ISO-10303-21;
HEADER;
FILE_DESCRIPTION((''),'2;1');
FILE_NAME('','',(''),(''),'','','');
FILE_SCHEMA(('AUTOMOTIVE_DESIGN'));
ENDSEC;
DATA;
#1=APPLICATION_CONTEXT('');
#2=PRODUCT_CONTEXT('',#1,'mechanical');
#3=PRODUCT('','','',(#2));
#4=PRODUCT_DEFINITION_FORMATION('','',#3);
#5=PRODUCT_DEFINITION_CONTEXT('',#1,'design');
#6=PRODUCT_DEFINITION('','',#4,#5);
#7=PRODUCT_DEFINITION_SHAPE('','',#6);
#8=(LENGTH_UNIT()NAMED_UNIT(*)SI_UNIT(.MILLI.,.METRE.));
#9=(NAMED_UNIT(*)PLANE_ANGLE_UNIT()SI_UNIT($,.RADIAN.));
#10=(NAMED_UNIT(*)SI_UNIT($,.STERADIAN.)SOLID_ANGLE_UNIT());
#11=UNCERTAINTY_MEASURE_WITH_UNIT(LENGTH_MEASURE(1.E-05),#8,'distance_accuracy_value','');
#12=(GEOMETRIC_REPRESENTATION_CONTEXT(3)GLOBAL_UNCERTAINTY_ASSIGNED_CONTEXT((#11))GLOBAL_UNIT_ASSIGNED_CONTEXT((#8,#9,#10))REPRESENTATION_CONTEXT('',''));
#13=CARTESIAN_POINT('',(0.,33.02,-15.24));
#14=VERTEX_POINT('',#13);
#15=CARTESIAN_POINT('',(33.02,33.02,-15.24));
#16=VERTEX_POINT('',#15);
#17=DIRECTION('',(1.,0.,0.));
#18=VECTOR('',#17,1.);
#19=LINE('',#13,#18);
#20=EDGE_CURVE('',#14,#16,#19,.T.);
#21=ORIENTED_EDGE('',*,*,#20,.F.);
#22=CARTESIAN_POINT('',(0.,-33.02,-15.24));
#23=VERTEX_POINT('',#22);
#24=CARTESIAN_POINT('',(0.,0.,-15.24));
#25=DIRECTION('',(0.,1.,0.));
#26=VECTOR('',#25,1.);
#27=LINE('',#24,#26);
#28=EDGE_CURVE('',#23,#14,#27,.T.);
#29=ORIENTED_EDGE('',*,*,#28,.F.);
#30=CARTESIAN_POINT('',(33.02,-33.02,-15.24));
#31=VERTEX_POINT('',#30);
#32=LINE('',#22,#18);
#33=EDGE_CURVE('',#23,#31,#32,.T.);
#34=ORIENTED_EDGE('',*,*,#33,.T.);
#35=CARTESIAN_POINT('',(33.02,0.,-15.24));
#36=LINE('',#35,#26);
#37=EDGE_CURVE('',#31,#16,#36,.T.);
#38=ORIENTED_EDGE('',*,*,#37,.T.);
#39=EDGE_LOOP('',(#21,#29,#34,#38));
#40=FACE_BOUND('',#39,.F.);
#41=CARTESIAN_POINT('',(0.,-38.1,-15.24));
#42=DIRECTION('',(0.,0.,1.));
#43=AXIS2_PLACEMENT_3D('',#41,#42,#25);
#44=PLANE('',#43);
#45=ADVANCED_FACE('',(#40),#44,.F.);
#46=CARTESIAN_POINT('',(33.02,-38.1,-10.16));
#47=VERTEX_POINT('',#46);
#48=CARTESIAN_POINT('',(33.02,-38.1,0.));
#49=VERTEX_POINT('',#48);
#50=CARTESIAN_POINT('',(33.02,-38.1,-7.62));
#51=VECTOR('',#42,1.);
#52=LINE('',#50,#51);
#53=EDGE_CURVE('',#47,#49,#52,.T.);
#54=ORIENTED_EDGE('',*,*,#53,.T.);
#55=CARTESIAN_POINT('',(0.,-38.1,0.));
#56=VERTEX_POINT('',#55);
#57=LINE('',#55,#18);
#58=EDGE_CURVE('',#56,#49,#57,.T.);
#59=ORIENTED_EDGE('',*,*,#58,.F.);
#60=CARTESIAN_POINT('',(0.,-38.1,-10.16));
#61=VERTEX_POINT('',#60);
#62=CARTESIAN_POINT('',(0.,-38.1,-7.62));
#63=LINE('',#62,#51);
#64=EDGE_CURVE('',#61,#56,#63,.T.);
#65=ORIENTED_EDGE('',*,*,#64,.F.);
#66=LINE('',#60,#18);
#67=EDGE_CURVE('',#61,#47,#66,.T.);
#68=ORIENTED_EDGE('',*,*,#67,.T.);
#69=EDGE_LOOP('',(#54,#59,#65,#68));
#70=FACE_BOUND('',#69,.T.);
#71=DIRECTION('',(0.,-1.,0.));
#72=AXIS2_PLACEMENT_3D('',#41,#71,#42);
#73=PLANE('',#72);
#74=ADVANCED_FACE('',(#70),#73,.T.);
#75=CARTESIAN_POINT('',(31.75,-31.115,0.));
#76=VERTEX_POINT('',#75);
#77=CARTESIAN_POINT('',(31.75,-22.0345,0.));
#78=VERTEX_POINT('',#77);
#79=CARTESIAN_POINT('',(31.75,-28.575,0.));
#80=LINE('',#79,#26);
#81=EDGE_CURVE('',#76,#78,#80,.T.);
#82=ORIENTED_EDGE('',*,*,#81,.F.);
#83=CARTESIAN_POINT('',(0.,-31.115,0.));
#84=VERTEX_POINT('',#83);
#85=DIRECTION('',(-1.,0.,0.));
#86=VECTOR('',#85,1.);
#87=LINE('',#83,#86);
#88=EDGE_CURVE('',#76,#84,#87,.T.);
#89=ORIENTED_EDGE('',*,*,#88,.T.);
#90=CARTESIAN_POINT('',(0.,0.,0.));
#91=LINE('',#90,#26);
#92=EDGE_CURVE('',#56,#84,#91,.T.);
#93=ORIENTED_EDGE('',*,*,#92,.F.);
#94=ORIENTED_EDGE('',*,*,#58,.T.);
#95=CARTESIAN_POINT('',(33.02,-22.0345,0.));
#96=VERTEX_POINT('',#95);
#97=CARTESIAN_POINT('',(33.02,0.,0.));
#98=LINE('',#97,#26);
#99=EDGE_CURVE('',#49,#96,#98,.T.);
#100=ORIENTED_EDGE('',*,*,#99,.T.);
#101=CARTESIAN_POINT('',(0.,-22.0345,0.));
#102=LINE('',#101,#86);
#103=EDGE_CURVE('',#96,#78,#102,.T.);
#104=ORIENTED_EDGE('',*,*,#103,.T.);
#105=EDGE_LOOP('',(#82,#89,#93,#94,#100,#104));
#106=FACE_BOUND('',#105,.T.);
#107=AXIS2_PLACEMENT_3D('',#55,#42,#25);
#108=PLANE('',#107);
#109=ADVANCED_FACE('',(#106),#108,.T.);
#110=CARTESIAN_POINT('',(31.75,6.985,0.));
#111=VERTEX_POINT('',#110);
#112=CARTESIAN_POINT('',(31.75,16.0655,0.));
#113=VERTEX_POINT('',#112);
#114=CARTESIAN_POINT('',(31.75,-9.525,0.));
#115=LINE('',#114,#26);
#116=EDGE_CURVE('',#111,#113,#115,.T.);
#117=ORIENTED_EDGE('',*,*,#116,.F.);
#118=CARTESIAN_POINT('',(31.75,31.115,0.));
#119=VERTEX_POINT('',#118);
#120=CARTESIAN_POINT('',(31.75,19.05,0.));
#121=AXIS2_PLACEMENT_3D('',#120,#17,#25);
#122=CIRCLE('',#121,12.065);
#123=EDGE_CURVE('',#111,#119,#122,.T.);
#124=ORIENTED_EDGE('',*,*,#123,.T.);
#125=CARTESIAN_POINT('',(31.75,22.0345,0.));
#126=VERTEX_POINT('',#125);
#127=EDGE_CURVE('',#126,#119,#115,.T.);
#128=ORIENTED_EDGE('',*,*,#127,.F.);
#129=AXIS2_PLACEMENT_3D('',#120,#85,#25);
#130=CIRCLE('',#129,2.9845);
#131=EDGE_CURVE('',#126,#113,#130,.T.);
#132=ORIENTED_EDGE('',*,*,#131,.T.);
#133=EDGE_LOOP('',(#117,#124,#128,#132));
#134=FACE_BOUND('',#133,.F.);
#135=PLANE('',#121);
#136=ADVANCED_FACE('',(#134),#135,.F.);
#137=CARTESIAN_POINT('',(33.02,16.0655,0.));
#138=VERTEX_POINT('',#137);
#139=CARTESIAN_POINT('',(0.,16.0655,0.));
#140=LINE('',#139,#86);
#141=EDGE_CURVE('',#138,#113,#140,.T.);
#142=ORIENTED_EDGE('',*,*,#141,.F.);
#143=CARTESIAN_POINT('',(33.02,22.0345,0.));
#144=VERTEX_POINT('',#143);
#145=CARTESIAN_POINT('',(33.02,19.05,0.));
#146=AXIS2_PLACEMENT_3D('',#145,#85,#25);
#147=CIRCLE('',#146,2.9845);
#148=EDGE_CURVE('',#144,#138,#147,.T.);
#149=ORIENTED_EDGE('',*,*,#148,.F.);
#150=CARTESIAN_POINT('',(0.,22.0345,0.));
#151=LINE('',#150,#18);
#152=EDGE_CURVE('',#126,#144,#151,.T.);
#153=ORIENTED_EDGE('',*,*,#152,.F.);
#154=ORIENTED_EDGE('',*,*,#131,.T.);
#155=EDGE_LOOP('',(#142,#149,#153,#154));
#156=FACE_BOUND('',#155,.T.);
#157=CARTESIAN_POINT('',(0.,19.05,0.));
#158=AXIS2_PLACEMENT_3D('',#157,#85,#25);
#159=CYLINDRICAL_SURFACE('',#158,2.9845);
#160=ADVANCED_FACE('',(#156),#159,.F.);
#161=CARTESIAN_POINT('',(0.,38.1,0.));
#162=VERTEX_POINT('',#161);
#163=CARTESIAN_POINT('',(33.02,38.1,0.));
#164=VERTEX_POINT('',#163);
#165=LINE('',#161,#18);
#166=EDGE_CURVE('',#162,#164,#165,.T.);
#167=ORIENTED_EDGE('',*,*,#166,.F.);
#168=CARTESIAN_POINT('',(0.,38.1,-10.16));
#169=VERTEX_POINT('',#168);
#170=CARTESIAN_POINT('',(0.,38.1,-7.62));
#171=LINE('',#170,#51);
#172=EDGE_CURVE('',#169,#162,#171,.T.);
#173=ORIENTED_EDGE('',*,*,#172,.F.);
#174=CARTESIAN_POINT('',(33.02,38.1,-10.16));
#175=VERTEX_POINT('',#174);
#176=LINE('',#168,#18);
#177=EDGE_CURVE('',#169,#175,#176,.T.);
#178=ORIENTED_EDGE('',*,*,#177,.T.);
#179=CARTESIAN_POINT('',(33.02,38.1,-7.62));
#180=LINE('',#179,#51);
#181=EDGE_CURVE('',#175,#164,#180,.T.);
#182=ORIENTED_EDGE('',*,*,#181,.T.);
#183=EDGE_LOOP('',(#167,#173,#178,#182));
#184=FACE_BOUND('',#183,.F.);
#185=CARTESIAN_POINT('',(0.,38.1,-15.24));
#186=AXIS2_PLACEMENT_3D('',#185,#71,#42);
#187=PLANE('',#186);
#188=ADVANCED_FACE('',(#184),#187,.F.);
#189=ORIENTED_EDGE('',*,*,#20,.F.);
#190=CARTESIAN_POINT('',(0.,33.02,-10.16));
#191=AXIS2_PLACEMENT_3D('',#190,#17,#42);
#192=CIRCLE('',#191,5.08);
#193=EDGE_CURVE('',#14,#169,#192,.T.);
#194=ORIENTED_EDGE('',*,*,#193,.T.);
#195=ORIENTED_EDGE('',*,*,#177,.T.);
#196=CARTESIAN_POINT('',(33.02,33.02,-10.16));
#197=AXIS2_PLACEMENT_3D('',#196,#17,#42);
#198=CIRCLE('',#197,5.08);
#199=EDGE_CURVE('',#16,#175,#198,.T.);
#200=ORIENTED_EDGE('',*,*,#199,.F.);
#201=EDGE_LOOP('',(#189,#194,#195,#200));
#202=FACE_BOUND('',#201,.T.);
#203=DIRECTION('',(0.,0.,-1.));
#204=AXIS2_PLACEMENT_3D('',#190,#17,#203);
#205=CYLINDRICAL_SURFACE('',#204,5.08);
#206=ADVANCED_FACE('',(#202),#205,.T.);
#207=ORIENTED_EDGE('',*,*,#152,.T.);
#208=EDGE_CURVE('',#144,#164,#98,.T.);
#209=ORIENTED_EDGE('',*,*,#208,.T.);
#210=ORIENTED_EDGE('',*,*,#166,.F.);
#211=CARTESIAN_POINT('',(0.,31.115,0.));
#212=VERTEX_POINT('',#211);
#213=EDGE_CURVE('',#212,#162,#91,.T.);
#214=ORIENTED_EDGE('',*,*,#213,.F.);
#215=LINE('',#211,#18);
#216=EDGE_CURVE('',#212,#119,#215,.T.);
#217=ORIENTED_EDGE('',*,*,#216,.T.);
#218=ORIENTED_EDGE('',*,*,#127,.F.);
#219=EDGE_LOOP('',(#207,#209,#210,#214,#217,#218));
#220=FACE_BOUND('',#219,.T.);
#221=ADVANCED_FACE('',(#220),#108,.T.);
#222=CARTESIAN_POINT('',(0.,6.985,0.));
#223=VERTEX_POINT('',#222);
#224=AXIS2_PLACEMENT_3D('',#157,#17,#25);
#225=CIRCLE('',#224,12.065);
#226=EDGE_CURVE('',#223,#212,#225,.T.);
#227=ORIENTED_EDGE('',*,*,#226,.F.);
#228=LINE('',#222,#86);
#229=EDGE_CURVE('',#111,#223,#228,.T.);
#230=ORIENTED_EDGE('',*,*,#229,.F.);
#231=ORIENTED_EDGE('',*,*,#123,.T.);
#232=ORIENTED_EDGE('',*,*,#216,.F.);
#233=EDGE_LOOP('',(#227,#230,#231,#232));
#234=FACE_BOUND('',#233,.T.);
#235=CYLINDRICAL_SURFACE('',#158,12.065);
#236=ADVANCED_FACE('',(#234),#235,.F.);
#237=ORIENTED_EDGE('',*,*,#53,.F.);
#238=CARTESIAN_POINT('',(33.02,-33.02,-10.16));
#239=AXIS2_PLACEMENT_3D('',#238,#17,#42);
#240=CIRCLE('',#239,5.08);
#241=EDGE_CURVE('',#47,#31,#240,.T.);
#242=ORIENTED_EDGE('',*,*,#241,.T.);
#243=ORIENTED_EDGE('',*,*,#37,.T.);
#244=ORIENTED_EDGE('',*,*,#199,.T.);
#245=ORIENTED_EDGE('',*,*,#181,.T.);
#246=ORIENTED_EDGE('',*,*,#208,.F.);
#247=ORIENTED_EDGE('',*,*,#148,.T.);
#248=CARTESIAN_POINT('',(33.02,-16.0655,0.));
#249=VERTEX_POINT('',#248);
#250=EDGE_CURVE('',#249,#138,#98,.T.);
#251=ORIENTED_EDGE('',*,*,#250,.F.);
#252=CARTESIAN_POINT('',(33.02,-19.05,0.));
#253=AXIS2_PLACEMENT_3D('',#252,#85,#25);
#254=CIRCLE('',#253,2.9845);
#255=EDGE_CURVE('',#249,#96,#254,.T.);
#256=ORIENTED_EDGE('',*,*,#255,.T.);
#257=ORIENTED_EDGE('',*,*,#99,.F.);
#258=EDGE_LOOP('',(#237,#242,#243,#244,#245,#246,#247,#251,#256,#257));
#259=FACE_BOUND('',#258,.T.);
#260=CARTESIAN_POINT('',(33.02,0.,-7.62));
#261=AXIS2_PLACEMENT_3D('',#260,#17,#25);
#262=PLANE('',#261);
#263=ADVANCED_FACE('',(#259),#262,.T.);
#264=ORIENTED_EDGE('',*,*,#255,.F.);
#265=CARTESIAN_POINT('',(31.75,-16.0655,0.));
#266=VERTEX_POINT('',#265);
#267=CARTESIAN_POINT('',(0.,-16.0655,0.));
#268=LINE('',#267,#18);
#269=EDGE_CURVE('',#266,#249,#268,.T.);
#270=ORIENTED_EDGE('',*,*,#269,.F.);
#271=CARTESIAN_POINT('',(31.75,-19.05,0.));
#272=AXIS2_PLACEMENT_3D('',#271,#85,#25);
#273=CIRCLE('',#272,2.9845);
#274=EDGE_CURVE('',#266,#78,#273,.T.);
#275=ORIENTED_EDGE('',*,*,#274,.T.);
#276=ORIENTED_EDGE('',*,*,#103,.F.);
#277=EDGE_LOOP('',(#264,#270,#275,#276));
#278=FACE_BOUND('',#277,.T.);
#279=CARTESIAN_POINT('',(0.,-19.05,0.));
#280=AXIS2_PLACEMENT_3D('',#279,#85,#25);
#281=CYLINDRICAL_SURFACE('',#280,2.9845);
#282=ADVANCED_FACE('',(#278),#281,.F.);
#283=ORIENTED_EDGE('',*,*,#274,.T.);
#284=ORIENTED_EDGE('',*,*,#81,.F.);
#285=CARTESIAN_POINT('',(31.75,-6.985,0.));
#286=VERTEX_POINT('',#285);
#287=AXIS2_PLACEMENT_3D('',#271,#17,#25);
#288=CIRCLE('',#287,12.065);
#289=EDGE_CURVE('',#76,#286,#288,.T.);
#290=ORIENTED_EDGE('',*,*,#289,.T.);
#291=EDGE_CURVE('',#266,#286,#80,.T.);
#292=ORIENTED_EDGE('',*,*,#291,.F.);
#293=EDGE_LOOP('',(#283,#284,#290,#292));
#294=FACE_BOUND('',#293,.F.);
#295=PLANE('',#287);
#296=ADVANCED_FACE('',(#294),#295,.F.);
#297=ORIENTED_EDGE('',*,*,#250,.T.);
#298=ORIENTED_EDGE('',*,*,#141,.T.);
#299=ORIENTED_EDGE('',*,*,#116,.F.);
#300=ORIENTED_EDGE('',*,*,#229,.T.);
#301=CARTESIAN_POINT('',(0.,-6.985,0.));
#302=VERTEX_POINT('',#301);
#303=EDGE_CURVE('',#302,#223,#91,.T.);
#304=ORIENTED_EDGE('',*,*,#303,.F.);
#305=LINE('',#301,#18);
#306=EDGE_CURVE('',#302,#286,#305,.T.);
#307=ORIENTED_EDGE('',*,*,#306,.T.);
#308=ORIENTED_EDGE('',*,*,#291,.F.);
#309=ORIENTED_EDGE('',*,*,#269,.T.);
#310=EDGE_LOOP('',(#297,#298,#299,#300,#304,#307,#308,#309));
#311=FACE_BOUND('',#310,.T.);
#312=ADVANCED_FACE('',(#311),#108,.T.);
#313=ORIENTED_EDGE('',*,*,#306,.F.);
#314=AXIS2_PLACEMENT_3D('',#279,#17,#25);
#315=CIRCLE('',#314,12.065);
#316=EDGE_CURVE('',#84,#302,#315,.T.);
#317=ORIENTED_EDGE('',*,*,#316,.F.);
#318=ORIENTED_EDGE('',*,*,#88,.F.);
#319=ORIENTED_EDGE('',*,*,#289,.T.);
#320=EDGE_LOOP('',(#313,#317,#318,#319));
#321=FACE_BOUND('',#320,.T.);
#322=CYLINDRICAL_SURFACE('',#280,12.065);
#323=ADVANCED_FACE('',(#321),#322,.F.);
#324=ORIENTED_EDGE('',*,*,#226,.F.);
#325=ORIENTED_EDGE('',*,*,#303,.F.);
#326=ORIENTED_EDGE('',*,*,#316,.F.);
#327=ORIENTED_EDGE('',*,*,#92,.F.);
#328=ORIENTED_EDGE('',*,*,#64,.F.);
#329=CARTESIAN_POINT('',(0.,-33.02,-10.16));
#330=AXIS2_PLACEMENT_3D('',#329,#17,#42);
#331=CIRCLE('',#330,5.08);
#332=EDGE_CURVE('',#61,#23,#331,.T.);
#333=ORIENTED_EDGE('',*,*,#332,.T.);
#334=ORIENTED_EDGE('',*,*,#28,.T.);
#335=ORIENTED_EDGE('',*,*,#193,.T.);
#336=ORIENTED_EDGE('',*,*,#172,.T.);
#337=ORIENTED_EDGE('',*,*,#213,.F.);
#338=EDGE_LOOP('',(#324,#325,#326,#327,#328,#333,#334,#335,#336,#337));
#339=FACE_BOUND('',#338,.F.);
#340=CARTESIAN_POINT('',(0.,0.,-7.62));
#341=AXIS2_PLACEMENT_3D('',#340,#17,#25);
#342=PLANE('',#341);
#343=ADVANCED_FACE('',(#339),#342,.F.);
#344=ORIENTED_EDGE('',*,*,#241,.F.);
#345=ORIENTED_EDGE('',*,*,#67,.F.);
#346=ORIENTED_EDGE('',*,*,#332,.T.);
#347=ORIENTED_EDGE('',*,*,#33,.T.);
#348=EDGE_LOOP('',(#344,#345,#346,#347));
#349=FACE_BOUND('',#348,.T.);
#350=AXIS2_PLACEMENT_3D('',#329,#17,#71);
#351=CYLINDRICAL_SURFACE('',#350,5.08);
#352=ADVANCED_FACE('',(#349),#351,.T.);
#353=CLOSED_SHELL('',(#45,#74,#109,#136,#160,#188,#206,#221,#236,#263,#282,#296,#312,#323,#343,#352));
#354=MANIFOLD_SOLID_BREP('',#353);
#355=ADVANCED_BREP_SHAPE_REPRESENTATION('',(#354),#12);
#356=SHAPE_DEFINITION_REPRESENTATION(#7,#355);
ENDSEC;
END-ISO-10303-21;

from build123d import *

# Parameters (mm, degrees)
F0_W     = 76.2
F0_H     = 15.24
F1_DEPTH = 33.02
F2_R     = 12.065
F3_DEPTH = 31.75
F4_R     = 2.9845
F5_DEPTH = 50.8
F6_R     = 5.08


with BuildPart() as f1:
    # F0 (on Right) → F1 (new body)
    with BuildSketch(Plane.YZ):
        with Locations((0, -7.62)):
            Rectangle(F0_W, F0_H)
    extrude(amount=F1_DEPTH)

    # F2 (on Right) → F3 (cut)
    with BuildSketch(Plane.YZ):
        with Locations((19.05, 0)):
            Circle(F2_R)
        with Locations((-19.05, 0)):
            Circle(F2_R)
    extrude(amount=F3_DEPTH, mode=Mode.SUBTRACT)

    # F4 (on Right) → F5 (cut)
    with BuildSketch(Plane.YZ):
        with Locations((19.05, 0)):
            Circle(F4_R)
        with Locations((-19.05, 0)):
            Circle(F4_R)
    extrude(amount=F5_DEPTH, mode=Mode.SUBTRACT)

    # F6
    f6_edges = [f1.edges().sort_by_distance(p)[0] for p in [
        (16.51, -38.1, -15.24),
        (16.51, 38.1, -15.24),
    ]]
    fillet(f6_edges, radius=F6_R)


solid = f1.part
